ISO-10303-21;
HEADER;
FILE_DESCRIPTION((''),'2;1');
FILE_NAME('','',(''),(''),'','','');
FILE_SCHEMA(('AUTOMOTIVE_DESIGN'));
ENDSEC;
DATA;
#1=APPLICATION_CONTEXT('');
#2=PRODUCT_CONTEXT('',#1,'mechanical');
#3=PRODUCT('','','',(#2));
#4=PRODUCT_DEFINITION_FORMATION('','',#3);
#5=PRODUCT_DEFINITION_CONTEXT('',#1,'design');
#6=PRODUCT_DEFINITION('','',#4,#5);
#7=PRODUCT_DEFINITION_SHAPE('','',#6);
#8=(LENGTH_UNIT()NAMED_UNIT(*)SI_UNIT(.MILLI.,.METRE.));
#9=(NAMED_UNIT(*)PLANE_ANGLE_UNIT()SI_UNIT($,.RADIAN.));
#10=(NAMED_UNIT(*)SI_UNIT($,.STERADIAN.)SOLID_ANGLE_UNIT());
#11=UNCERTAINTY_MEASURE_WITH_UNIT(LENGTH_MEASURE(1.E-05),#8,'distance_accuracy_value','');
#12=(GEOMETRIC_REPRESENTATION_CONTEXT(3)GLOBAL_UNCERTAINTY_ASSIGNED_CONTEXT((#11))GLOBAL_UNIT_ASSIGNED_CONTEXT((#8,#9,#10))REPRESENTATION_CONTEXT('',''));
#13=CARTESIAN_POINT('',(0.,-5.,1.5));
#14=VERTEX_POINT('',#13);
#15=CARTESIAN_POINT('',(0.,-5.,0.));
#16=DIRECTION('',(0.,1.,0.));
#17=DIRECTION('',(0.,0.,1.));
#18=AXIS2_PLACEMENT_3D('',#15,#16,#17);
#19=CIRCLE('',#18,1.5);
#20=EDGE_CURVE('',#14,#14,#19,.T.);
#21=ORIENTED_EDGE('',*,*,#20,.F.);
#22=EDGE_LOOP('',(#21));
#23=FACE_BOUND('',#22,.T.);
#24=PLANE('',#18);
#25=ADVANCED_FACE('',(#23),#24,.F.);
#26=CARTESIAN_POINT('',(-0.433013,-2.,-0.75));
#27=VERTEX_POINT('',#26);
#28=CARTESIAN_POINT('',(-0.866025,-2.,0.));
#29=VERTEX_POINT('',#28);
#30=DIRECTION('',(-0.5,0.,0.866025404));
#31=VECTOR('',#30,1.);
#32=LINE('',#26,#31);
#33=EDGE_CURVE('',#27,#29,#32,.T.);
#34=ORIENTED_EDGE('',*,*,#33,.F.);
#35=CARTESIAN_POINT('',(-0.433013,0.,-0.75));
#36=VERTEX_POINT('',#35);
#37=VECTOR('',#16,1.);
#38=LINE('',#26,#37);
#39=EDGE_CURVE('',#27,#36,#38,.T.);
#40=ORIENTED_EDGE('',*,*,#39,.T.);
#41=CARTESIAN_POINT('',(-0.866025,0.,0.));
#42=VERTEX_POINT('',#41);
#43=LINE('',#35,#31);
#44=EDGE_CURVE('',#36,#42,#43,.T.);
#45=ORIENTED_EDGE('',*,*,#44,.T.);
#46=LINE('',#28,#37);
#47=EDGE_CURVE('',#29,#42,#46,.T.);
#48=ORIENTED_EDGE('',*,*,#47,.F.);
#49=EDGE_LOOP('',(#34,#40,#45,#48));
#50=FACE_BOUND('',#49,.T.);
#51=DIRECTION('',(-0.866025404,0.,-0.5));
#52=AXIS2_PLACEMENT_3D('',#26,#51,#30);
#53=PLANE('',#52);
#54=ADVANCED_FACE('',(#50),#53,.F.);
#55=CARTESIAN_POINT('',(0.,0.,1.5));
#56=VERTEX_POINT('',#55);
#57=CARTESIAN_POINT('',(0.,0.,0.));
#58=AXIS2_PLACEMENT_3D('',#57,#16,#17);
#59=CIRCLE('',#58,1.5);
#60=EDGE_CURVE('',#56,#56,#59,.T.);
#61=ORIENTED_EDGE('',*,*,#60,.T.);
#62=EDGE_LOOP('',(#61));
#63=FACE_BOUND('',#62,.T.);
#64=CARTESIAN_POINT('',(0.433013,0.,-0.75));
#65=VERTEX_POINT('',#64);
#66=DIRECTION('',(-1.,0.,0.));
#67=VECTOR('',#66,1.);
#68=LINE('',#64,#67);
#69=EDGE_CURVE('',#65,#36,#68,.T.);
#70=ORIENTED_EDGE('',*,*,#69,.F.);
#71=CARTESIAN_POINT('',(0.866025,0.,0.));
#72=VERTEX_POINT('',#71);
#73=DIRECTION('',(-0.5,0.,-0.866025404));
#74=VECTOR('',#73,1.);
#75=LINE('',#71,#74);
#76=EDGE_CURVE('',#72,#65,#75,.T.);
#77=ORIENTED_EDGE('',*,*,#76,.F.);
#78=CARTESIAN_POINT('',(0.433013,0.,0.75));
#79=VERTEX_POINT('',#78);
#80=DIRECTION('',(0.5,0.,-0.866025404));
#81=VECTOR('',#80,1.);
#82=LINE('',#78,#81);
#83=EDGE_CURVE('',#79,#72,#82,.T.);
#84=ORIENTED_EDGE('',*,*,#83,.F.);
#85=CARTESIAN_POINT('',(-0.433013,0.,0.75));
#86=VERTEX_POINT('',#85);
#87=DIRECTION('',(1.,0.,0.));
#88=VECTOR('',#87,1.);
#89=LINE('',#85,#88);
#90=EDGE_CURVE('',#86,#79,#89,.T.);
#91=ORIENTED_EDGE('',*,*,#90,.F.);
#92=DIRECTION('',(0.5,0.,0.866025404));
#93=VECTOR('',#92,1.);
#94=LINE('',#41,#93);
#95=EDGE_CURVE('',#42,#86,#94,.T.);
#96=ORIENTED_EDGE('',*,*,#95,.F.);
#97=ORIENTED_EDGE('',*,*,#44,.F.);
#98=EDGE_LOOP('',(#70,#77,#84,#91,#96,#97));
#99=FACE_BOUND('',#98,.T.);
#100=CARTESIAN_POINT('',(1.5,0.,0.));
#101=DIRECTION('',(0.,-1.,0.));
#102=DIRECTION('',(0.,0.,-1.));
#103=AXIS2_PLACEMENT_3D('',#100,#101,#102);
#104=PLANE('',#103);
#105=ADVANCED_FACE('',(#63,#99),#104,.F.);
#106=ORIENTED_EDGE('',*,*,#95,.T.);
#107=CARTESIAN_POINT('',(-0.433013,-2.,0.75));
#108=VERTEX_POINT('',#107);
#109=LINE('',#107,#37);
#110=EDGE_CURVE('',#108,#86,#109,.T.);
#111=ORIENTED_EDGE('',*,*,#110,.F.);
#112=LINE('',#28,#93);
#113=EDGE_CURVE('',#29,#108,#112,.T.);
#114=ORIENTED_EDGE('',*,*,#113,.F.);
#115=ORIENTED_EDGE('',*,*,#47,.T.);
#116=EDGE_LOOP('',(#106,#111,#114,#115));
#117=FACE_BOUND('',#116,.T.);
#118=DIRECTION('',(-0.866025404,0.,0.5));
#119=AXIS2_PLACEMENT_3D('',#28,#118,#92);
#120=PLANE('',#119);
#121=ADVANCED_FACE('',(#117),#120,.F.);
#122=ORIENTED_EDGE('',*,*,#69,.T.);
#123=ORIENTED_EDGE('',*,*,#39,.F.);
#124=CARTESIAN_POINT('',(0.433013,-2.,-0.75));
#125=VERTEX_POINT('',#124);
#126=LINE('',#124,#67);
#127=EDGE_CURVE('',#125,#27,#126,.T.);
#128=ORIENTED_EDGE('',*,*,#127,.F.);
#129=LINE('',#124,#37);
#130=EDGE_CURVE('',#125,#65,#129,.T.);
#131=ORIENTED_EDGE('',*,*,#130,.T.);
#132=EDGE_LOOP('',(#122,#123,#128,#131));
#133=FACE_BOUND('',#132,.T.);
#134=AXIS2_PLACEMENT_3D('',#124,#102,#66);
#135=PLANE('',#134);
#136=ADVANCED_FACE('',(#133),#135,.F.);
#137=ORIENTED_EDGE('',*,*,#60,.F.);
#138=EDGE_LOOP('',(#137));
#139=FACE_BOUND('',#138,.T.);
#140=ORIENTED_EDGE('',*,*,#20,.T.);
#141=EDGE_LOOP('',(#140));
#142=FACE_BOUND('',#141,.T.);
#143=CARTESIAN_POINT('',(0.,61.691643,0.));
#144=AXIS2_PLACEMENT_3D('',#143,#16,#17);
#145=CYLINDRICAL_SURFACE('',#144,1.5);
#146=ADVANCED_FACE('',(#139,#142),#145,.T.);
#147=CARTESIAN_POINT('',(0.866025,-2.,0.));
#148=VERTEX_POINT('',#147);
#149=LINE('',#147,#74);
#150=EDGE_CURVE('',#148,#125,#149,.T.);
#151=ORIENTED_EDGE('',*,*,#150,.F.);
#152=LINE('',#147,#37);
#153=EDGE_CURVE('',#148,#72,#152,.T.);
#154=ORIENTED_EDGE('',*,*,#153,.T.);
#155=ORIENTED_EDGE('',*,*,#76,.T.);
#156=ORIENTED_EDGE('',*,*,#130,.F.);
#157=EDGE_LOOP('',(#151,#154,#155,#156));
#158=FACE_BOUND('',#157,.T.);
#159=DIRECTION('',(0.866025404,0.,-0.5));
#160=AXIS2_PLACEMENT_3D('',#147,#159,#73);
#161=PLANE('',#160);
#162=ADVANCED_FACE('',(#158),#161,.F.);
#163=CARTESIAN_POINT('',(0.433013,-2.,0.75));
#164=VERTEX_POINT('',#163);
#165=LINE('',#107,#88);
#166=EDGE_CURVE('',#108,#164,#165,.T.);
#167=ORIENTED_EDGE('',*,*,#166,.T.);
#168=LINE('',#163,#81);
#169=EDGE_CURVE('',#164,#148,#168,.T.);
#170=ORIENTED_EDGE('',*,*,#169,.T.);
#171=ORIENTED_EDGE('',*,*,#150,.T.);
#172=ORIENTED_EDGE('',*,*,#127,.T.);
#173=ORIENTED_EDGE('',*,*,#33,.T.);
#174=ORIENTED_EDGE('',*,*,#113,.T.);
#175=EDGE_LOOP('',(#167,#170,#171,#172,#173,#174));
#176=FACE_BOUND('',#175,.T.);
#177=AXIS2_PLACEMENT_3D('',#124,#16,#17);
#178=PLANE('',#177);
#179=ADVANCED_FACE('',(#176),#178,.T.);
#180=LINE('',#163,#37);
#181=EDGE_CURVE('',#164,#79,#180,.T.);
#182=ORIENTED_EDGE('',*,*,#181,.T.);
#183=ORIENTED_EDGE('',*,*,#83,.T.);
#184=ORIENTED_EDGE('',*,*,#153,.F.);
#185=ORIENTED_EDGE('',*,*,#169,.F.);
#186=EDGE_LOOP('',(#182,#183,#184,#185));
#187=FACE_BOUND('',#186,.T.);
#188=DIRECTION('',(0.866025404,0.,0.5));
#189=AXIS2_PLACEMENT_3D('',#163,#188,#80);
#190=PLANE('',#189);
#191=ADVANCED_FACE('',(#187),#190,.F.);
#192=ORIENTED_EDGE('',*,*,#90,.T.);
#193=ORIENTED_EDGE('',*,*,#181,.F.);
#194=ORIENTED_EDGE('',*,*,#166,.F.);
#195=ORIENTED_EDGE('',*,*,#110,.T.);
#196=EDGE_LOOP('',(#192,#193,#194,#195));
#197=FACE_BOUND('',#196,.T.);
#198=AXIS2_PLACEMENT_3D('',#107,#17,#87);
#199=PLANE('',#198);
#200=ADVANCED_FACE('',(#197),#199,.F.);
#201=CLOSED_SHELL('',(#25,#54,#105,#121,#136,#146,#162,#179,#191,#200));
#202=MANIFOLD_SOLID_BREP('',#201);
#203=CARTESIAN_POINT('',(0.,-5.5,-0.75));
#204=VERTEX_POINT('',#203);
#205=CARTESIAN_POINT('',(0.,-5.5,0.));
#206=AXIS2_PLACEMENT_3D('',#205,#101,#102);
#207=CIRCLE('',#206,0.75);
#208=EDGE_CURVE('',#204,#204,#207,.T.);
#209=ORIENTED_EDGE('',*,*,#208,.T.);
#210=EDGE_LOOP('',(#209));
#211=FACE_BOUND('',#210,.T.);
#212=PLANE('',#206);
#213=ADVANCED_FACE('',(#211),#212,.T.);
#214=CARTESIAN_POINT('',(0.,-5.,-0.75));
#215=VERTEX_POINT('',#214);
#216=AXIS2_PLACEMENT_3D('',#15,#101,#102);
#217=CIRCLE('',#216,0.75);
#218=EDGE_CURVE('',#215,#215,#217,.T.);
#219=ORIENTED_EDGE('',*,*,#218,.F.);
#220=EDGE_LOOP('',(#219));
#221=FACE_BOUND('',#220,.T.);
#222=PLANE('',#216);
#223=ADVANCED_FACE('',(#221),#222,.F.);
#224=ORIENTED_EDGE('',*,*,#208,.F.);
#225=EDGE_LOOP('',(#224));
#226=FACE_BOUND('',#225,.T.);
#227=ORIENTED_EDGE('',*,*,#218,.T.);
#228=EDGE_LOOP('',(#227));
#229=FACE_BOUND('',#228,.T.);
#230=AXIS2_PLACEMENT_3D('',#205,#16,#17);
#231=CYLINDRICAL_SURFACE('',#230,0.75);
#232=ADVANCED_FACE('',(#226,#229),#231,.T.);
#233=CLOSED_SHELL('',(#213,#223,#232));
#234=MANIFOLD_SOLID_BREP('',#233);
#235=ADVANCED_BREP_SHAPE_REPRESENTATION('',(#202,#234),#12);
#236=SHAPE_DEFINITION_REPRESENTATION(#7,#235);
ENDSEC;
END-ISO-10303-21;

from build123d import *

# Parameters (mm, degrees)
SKETCH1_W           = 1.5
SKETCH1_H           = 5
SKETCH3_R           = 0.75
BOSS_EXTRUDE1_DEPTH = 0.5
CUT_EXTRUDE1_DEPTH  = 2


with BuildPart() as part:
    # Sketch1 → Revolve1 (revolve)
    with BuildSketch(Plane.XY, mode=Mode.PRIVATE) as revolve1_sk:
        with Locations((0.75, -2.5)):
            Rectangle(SKETCH1_W, SKETCH1_H)
    revolve(revolve1_sk.sketch.rotate(Axis((0, 61.691642626, 0), (0, -1, 0)), 90), axis=Axis((0, 61.691642626, 0), (0, -1, 0)))

    # Sketch2 → Cut-Extrude1 (cut)
    with BuildSketch(Plane(origin=(0, 0, 0), x_dir=(-1, 0, 0), z_dir=(0, 1, 0))):
        Polygon((-0.433012702, -0.75), (0.433012702, -0.75), (0.866025404, 0), (0.433012702, 0.75), (-0.433012702, 0.75), (-0.866025404, 0), align=None)
    extrude(amount=-CUT_EXTRUDE1_DEPTH, mode=Mode.SUBTRACT)


with BuildPart() as body_2:
    # Sketch3 → Boss-Extrude1 (new body)
    with BuildSketch(Plane.XZ.offset(5)):
        with Locations(Location((0, 0, 0), (0, 0, 270))):
            Circle(SKETCH3_R)
    extrude(amount=BOSS_EXTRUDE1_DEPTH)


solid = Compound([part.part, body_2.part])
